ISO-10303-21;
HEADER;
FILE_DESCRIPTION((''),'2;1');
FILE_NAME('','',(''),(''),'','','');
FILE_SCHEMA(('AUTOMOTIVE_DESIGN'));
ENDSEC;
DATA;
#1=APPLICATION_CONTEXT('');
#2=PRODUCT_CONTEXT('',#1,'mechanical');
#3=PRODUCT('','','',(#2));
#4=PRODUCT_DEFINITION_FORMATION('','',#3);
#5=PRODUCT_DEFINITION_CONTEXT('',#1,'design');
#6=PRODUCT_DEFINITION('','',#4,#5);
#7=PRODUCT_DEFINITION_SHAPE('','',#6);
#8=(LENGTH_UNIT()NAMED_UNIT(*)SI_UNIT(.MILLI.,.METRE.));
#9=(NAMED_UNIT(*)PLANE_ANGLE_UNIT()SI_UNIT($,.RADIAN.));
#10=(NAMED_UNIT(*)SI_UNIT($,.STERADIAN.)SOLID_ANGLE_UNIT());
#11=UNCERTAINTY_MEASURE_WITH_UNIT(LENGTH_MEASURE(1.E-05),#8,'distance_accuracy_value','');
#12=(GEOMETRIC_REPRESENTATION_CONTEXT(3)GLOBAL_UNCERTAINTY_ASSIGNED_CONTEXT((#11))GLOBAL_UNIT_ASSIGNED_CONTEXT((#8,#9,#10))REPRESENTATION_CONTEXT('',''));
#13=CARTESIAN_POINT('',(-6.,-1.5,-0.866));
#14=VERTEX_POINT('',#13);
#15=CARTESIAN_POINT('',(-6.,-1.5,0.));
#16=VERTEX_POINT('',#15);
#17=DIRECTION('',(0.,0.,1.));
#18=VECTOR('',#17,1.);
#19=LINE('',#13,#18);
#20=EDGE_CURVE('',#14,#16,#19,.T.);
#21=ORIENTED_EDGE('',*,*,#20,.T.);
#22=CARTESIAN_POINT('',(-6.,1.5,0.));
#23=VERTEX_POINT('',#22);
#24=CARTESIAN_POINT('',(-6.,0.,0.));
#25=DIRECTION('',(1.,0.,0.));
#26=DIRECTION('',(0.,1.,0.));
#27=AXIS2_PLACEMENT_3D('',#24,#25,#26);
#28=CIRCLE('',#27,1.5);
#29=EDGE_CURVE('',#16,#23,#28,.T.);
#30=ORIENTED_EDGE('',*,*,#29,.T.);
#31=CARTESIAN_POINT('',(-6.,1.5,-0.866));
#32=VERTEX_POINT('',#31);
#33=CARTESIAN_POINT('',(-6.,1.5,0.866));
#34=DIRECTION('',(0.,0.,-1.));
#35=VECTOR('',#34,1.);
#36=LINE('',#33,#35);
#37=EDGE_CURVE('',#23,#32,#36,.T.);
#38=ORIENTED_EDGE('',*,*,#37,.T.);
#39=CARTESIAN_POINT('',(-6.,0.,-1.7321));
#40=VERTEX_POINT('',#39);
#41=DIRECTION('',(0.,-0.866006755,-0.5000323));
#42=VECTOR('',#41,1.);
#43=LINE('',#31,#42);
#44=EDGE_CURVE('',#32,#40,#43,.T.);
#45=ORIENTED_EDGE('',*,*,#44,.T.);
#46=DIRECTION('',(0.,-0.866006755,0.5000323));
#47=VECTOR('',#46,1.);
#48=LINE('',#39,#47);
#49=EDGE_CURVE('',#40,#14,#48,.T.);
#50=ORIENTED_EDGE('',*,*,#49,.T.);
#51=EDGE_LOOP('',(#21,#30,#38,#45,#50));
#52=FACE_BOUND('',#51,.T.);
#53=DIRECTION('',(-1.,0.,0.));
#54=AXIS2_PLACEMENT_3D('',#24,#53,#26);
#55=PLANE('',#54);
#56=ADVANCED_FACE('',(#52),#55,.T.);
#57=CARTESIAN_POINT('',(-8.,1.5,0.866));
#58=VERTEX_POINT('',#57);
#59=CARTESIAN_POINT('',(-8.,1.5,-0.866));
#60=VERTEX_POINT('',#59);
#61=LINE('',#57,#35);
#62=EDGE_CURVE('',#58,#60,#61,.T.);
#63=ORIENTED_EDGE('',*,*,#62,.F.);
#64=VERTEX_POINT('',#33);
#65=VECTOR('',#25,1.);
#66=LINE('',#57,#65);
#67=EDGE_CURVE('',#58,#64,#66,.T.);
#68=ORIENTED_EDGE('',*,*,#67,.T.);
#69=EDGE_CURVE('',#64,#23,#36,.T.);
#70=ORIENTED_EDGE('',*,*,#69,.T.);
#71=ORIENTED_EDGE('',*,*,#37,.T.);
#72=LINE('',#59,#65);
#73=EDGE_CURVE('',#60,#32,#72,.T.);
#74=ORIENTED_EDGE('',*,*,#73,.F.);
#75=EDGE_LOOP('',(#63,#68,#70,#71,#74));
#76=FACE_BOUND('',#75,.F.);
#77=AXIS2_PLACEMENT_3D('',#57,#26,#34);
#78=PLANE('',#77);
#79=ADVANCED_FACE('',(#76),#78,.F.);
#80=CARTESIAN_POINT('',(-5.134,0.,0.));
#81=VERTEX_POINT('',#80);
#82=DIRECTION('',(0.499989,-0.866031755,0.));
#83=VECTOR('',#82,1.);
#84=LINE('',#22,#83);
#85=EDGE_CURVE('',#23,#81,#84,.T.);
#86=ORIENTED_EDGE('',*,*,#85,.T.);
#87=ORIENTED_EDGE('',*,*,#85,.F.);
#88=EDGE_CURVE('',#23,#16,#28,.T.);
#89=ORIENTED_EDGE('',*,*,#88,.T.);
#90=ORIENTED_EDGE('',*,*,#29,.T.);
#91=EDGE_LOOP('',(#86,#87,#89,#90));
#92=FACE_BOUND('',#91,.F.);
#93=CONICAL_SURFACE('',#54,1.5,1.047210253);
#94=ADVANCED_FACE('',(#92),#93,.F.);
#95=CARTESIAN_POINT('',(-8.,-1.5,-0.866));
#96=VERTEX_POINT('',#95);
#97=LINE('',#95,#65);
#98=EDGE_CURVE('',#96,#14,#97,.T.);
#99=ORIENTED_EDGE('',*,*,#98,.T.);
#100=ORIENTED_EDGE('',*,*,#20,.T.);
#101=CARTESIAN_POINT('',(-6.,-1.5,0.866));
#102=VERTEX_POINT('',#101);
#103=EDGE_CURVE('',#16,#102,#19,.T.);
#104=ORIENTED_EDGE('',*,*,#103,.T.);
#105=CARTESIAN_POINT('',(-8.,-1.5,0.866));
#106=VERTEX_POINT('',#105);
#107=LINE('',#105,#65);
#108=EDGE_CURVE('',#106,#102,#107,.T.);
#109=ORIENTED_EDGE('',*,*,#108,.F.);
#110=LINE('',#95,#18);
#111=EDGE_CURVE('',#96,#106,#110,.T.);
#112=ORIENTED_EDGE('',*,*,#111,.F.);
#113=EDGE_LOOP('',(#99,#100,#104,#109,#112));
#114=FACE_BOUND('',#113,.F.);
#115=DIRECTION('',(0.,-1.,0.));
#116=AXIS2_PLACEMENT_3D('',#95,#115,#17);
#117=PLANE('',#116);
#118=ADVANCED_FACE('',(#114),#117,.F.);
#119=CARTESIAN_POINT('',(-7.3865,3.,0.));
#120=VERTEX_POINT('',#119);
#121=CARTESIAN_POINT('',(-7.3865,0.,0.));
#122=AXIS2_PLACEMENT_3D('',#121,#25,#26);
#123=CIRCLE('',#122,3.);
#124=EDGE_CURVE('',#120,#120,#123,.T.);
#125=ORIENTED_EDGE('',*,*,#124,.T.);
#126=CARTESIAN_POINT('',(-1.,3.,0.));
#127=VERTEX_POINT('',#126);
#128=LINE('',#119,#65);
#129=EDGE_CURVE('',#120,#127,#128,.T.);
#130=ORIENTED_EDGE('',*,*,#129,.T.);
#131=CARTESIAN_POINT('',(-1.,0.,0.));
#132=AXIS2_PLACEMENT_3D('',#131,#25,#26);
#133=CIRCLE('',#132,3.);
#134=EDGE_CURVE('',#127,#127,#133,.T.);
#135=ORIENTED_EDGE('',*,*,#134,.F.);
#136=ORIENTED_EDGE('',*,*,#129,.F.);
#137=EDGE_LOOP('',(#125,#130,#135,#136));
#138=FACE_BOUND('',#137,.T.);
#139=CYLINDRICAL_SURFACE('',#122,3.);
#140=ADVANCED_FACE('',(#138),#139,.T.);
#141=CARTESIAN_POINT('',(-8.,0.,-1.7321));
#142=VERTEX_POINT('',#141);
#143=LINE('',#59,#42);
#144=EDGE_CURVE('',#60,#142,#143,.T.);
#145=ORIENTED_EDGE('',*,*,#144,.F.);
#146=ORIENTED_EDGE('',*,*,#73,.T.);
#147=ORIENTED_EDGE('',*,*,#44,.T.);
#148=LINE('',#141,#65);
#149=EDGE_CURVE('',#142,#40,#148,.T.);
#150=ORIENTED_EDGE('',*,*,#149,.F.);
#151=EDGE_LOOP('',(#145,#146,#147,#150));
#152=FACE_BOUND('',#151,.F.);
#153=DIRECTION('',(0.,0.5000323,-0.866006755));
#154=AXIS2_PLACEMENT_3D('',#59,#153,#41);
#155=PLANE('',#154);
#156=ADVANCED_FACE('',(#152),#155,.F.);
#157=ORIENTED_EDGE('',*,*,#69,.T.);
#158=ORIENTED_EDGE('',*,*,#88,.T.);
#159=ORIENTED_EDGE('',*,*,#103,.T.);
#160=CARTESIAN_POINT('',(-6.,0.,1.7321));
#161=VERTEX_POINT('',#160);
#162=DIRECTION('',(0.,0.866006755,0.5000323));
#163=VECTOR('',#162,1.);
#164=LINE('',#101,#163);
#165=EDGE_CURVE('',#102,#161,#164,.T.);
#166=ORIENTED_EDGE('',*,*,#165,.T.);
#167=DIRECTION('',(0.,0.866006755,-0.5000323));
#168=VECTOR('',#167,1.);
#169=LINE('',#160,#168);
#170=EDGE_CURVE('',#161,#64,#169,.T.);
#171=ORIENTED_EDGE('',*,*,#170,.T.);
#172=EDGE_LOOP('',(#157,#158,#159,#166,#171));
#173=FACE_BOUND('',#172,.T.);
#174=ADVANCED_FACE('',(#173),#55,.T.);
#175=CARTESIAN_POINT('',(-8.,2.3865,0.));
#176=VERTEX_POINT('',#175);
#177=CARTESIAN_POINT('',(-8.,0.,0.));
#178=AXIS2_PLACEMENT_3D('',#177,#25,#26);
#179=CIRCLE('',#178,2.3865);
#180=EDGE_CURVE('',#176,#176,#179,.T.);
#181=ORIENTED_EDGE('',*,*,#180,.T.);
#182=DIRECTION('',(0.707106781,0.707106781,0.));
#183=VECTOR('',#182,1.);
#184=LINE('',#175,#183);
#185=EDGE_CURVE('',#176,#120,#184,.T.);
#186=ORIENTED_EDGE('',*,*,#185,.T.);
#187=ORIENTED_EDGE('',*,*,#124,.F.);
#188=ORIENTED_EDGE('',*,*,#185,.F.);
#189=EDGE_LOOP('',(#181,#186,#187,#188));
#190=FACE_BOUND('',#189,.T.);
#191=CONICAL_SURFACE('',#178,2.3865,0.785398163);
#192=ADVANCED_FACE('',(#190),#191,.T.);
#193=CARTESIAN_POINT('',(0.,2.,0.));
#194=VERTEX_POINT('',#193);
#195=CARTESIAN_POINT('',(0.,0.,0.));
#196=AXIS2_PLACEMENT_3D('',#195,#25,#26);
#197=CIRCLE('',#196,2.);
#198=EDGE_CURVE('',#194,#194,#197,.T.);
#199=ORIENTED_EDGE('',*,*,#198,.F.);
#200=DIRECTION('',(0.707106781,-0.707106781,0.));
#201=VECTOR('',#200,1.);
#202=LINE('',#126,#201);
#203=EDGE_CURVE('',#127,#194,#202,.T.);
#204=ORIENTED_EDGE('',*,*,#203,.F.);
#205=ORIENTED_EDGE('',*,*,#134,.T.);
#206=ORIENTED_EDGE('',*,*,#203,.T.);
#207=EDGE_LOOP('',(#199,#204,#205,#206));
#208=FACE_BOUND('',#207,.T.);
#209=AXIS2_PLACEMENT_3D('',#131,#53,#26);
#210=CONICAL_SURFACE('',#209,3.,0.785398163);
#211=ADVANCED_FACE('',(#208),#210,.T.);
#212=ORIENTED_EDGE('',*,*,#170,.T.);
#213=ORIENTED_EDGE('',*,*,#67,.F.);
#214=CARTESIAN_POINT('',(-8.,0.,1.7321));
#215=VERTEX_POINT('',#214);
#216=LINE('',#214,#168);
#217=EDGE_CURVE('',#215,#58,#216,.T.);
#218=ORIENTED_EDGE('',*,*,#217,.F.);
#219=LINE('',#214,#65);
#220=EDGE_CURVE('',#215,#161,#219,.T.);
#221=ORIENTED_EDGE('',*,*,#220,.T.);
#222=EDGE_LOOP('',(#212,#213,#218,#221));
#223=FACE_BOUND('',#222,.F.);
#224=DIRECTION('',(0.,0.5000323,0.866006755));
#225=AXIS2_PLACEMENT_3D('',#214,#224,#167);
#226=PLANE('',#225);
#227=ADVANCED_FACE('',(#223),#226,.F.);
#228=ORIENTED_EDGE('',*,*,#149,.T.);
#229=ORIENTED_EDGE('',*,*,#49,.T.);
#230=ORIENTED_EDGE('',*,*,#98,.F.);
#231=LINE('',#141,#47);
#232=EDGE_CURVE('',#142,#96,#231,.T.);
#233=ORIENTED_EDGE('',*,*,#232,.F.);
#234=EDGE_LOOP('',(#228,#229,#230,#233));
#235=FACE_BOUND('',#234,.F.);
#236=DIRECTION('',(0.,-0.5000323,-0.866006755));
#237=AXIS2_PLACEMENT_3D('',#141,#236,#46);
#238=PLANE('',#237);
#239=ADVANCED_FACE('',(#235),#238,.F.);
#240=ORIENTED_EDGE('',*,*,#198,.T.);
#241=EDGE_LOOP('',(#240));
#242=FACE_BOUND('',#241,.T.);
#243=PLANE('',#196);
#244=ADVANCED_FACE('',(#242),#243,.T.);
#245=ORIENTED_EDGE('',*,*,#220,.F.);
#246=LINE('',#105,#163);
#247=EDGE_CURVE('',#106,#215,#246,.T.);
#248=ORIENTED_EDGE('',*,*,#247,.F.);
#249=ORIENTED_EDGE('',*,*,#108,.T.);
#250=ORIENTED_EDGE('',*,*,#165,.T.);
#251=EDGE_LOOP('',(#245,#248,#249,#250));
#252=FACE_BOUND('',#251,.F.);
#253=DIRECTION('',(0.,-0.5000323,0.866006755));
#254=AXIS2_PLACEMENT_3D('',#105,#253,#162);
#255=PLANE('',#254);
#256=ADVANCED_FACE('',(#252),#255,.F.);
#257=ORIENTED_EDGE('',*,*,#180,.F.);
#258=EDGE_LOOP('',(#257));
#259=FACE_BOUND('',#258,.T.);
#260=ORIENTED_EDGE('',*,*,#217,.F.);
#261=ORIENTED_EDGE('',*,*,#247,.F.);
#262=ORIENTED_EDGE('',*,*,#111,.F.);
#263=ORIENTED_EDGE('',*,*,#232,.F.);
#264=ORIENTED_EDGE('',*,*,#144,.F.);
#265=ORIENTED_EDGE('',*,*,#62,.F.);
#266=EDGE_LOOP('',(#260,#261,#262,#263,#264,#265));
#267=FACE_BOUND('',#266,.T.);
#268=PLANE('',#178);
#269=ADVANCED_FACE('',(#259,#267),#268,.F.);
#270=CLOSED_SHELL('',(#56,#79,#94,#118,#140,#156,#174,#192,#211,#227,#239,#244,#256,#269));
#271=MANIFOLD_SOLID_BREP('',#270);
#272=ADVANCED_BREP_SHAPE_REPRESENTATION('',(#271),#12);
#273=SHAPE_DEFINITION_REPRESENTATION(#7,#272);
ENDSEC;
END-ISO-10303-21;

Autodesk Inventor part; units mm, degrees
sketch "Sketch_1" plane through (0, 0, 0) normal (0, 0, 1) x (1, 0, 0)
  line L0 (0, 0) -> (-8, 0)
  line L1 (-8, 0) -> (-8, 2.3865)
  line L2 (-8, 2.3865) -> (-7.3865, 3)
  line L3 (-7.3865, 3) -> (-1, 3)
  line L4 (-1, 3) -> (0, 2)
  line L5 (0, 2) -> (0, 0)
  line L6 (0, 0) -> (-8, 0)
revolve "Revolution1" add sketch "Sketch_1" angle 360 about axis through (0, 0, 0) along (1, 0, 0)
thread "Thread1" size "M6x1" class "6g" standard "ISO Metric profile" full length
sketch "Sketch_2" plane through (-8, 0, 0) normal (-1, 0, 0) x (0, 1, 0)
  line L0 (-1.5, -0.866) -> (0, -1.7321)
  line L1 (0, -1.7321) -> (1.5, -0.866)
  line L2 (1.5, -0.866) -> (1.5, 0.866)
  line L3 (1.5, 0.866) -> (0, 1.7321)
  line L4 (0, 1.7321) -> (-1.5, 0.866)
  line L5 (-1.5, 0.866) -> (-1.5, -0.866)
extrude "Extrusion1" cut sketch "Sketch_2" against normal blind 2
sketch "Sketch_3" plane through (0, 0, 0) normal (0, 0, 1) x (1, 0, 0)
  line L0 (-5.134, 0) -> (-6, 0)
  line L1 (-6, 0) -> (-6, 1.5)
  line L2 (-6, 1.5) -> (-5.134, 0)
  line L3 (-5.134, 0) -> (-6, 0)
revolve "Revolution2" cut sketch "Sketch_3" angle 360 about axis through (-5.134, 0, 0) along (1, 0, 0)
ref_plane "CP_XY" through (0, 0, 0) normal (1, 0, 0) x (0, 0, -1)
ref_plane "CP_YZ" through (0, 0, 0) normal (0, 0, -1) x (0, 1, 0)
ref_plane "CP_ZX" through (0, 0, 0) normal (0, 1, 0) x (1, 0, 0)
properties part number "SET-SCREW6-8"
